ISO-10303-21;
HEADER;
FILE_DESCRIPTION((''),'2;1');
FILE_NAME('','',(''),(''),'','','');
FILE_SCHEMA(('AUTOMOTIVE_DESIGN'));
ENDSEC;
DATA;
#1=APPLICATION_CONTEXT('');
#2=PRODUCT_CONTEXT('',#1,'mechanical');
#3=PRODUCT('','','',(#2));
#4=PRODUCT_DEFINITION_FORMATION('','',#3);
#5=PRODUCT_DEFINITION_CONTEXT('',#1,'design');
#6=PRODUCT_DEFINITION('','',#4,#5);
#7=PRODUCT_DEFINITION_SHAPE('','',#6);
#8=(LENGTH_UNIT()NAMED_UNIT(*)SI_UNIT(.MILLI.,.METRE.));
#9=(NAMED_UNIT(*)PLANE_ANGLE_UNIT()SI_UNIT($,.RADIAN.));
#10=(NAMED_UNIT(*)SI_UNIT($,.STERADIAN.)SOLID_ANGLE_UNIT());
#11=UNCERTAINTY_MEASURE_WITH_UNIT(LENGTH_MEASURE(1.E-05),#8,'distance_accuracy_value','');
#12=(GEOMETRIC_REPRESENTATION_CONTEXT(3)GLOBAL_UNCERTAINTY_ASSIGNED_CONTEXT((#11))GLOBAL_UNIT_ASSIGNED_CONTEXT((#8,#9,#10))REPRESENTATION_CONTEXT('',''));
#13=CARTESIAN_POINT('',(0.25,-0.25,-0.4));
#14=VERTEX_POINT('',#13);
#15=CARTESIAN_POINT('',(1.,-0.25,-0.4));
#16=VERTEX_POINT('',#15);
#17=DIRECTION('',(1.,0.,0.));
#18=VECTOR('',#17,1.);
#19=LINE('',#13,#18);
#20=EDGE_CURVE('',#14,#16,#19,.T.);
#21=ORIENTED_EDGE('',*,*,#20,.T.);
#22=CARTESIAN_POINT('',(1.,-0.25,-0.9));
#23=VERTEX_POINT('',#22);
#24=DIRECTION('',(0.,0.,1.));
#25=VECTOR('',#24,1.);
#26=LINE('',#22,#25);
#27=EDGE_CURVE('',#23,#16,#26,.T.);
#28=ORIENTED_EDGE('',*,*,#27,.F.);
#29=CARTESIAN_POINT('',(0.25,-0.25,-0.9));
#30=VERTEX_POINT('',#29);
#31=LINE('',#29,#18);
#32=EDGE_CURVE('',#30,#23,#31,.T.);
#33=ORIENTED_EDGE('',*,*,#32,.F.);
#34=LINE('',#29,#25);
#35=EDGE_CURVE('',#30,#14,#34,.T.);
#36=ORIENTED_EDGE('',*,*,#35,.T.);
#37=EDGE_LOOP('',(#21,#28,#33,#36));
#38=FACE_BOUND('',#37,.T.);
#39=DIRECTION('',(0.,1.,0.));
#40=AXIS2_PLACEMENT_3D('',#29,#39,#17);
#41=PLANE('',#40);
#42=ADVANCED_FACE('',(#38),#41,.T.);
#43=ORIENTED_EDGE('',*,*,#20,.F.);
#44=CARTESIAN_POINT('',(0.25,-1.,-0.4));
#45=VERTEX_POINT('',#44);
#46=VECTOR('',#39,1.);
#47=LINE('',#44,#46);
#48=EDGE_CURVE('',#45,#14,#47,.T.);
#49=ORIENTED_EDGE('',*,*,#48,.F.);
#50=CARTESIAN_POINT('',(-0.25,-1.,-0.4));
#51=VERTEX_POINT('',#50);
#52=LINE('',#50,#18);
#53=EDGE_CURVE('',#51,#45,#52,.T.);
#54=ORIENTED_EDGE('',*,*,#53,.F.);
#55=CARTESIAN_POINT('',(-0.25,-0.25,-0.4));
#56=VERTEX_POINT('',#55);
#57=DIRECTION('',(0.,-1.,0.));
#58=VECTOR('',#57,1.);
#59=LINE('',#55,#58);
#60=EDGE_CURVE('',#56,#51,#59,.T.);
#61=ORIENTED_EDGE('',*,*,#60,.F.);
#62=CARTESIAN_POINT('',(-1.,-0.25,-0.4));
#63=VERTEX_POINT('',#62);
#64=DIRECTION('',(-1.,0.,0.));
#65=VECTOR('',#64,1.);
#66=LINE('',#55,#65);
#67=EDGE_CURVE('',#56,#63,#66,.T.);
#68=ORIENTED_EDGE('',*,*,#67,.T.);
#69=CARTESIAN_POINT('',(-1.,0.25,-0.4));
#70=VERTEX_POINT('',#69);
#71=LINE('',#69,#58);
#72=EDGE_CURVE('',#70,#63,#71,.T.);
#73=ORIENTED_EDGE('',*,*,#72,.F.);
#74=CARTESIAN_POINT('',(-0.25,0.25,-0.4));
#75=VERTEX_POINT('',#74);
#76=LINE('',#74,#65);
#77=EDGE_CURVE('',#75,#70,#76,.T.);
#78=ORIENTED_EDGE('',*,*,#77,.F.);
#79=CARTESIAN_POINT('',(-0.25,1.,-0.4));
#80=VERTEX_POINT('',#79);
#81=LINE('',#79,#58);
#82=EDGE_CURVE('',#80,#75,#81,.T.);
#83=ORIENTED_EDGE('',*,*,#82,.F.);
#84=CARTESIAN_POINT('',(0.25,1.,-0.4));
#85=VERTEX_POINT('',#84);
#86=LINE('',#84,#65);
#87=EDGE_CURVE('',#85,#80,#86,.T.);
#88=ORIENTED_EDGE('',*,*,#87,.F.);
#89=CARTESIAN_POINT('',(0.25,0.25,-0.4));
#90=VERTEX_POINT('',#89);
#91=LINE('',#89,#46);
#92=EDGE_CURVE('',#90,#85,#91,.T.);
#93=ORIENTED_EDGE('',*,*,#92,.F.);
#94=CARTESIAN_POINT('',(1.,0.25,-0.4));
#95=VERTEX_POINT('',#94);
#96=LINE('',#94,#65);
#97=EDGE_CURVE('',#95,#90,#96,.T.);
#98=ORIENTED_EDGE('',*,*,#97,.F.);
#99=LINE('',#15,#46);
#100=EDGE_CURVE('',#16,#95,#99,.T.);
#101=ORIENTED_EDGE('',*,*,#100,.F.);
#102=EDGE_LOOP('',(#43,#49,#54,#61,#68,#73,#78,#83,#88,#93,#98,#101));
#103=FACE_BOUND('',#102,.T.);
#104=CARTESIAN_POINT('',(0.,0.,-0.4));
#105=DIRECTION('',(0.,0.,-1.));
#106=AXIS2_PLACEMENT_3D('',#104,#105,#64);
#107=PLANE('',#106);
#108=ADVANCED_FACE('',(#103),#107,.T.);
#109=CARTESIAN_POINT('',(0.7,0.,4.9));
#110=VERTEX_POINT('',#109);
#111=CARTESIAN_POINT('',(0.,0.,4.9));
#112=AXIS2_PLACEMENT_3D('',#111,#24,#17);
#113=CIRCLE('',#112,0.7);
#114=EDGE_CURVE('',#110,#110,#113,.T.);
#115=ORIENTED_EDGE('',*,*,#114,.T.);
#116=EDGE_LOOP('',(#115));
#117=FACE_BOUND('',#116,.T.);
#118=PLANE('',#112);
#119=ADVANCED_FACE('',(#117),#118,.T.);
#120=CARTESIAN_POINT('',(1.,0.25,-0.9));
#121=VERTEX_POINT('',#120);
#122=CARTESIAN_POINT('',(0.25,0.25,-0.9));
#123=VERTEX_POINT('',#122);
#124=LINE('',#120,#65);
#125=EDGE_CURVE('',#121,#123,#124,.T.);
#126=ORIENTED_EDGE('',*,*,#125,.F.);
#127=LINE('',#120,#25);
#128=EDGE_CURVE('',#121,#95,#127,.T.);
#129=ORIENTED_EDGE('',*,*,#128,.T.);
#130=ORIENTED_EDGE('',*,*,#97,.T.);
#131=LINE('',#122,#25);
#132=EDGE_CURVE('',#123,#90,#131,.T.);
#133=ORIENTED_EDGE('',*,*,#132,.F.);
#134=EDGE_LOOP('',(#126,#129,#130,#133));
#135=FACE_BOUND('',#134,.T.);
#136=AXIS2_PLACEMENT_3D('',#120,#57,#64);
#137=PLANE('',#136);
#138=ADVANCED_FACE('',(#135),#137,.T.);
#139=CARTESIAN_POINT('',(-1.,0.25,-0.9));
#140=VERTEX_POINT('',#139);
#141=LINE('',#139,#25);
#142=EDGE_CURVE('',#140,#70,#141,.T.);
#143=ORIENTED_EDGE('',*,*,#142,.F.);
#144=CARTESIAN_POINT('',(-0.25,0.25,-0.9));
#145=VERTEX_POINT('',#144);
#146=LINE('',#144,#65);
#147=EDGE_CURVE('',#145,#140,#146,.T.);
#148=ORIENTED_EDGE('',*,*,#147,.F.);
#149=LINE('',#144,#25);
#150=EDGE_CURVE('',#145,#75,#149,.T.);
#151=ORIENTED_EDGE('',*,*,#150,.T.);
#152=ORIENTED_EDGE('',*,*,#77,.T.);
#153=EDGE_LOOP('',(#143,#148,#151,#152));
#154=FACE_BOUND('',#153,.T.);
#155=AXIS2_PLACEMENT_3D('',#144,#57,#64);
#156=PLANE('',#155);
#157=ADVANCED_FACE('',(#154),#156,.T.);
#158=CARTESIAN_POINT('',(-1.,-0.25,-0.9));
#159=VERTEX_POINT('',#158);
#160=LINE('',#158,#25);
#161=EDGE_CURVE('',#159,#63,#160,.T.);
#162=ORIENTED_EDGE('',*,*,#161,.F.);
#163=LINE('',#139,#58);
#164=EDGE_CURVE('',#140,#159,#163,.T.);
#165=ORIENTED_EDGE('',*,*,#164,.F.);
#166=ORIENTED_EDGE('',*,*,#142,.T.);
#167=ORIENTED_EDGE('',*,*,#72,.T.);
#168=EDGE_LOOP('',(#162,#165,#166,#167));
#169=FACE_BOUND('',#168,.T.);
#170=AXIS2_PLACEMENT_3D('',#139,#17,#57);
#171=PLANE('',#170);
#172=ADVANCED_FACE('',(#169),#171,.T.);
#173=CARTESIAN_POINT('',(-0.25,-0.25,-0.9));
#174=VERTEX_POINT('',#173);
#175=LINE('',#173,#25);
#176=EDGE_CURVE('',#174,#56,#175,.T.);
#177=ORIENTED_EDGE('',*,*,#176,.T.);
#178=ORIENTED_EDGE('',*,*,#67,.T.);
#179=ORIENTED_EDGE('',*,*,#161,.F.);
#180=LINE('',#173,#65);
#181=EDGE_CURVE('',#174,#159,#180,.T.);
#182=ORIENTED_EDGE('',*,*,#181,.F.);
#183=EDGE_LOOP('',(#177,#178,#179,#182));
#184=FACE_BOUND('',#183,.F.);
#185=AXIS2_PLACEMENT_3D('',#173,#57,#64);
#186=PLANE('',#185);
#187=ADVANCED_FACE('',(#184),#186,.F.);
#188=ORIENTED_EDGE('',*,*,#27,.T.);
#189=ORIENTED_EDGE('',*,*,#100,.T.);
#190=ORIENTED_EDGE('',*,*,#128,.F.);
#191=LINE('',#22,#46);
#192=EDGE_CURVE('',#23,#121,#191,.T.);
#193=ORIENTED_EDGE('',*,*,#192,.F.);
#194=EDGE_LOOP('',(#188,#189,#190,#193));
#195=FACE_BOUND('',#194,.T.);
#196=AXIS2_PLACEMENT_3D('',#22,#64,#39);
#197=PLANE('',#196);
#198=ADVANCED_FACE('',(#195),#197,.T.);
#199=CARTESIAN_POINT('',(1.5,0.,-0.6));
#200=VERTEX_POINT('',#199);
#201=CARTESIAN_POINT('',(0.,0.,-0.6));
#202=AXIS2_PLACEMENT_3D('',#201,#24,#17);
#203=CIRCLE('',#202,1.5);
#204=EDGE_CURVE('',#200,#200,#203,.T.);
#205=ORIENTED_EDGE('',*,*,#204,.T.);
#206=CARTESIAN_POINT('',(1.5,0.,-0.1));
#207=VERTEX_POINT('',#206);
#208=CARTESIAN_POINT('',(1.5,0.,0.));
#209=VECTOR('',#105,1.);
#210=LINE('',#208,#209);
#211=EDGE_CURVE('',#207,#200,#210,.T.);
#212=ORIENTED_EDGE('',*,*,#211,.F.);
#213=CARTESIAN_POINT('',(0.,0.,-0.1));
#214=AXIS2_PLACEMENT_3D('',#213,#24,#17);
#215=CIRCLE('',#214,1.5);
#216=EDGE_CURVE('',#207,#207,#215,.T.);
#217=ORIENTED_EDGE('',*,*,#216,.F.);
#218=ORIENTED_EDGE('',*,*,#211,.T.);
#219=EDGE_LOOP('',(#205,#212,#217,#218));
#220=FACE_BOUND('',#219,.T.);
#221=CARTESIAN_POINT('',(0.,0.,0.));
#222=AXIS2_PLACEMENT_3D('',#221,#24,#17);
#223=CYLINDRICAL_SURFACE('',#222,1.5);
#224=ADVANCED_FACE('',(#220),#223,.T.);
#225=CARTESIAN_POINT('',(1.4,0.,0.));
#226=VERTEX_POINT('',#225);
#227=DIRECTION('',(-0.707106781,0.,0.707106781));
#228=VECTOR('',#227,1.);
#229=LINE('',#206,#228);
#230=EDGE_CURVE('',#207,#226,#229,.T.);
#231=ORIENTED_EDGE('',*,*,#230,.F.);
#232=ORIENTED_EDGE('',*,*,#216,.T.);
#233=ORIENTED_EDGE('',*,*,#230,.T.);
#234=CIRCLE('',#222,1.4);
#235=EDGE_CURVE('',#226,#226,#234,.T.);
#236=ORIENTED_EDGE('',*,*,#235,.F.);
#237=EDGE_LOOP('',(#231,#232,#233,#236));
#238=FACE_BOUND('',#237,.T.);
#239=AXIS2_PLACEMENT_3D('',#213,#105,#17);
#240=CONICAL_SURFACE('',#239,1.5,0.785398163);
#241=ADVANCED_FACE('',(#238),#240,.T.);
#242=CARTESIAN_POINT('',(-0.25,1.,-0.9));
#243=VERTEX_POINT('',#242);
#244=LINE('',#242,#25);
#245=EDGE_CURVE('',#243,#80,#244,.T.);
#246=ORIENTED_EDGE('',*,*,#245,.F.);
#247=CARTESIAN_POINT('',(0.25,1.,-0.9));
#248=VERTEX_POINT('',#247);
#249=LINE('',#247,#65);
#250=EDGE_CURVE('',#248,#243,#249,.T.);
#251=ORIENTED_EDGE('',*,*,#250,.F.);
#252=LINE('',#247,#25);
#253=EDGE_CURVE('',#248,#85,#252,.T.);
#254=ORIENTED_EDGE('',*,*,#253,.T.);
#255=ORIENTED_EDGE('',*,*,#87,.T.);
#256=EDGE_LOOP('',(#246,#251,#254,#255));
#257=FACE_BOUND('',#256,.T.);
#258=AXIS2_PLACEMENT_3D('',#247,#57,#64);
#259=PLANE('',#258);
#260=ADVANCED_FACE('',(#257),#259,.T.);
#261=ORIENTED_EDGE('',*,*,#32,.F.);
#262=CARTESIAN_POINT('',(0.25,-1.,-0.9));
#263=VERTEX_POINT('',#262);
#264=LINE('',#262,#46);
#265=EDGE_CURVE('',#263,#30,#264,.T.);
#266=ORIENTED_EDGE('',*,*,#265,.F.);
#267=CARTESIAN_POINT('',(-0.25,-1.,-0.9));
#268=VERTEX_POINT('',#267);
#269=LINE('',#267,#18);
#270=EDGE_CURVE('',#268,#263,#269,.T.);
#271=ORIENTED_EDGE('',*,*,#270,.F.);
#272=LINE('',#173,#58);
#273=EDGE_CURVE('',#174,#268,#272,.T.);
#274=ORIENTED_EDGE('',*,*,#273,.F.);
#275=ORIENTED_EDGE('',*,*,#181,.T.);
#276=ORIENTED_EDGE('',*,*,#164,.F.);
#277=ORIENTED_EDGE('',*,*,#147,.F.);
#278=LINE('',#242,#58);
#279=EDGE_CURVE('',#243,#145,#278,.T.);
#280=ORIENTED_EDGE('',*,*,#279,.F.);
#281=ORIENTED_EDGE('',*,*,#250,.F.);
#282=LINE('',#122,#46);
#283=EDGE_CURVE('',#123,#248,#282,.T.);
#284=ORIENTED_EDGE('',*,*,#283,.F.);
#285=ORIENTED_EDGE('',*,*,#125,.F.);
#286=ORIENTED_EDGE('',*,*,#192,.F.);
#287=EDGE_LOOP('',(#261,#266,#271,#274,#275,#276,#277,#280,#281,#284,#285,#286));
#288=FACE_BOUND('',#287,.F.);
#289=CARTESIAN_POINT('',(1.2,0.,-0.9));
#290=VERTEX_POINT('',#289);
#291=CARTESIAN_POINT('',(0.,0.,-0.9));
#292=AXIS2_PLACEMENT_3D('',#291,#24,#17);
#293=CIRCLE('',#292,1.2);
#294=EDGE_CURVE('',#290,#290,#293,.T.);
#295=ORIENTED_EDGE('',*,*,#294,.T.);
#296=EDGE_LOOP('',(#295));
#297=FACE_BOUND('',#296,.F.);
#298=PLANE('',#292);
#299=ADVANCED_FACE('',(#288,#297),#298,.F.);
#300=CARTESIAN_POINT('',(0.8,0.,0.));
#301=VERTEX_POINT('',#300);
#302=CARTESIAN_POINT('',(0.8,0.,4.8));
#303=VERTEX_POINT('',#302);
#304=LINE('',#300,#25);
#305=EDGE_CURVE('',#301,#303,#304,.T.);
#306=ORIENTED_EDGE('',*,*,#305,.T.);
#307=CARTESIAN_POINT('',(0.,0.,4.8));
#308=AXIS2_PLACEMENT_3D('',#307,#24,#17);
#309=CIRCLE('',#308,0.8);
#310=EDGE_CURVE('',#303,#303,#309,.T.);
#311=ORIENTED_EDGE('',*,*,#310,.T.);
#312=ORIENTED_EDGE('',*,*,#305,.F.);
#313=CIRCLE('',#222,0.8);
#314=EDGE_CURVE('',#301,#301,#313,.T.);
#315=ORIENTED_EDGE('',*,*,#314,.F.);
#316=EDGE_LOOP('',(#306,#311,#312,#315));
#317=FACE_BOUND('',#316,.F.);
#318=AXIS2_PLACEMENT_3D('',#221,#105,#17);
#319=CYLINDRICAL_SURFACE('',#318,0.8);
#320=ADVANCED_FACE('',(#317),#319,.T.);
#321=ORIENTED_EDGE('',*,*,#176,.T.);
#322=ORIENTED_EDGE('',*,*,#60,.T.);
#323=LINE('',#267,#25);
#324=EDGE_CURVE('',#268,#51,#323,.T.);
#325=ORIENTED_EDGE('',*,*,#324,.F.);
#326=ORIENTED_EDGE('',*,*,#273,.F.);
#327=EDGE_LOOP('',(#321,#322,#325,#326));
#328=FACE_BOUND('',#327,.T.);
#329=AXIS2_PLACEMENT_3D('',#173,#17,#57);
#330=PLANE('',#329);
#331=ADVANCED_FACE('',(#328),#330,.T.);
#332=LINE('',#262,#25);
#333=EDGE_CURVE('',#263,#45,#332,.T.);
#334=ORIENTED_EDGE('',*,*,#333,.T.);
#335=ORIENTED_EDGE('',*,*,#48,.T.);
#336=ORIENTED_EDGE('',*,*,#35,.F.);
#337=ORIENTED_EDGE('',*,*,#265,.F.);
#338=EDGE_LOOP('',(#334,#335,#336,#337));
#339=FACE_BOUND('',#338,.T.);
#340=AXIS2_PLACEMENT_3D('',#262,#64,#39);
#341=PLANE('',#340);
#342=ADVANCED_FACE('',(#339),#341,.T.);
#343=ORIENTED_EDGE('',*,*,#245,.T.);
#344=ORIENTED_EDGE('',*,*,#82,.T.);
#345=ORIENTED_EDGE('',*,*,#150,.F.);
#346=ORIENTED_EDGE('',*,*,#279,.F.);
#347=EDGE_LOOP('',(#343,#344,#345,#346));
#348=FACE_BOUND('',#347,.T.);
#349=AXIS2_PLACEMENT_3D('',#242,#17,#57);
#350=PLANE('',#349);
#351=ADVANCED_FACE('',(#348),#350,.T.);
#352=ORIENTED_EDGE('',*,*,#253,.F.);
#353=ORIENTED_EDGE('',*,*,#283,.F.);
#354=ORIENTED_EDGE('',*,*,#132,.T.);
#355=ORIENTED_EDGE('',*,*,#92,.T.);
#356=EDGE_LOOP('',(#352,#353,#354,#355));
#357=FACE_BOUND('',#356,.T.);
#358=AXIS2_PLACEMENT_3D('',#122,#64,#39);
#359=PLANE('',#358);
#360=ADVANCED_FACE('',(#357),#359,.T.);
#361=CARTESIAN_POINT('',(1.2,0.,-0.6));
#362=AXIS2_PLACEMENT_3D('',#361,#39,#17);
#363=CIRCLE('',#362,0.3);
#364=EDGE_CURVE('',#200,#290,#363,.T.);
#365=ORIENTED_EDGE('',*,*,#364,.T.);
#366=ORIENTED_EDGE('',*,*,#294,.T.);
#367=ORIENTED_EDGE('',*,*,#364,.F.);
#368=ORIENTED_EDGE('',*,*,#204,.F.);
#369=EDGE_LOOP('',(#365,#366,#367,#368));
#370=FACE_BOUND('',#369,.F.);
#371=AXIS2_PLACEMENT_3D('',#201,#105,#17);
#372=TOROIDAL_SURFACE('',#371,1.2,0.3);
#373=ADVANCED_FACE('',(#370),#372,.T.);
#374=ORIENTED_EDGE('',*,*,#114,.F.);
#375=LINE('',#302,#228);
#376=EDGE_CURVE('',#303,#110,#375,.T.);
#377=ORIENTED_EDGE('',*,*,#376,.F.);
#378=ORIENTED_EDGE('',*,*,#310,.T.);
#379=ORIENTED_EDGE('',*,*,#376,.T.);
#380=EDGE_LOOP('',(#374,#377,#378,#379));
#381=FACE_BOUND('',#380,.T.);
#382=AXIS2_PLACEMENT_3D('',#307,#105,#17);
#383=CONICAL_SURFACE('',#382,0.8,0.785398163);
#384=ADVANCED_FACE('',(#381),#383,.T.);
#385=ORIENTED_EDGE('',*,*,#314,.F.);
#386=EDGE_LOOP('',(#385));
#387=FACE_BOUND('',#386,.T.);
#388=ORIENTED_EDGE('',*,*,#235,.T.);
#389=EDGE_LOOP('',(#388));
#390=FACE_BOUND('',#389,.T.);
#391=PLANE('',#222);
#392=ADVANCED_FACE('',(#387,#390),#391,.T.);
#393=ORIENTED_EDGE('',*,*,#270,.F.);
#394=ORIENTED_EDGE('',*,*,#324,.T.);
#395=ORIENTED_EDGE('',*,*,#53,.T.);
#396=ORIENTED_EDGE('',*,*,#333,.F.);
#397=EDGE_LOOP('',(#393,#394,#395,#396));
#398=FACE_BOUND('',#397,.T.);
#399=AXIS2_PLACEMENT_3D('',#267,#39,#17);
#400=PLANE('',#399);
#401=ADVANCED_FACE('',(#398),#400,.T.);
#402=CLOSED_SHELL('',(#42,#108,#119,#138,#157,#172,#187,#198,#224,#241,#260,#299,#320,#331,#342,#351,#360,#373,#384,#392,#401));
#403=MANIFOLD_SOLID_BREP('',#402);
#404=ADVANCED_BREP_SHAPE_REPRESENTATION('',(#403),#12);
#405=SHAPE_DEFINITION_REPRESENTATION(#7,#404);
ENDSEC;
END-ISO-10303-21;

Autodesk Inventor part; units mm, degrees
ref_plane "YZ Plane" through (0, 0, 0) normal (1, 0, 0) x (0, 1, 0)
ref_plane "XZ Plane" through (0, 0, 0) normal (0, 1, 0) x (-1, 0, 0)
ref_plane "XY Plane" through (0, 0, 0) normal (0, 0, 1) x (1, 0, 0)
sketch "Sketch1" plane through (0, 0, 0) normal (0, 0, 1) x (1, 0, 0)
  circle A0 centre (0, 0) radius 1.5
  dimension "d0" = 3
extrude "Extrusion1" add sketch "Sketch1" against normal blind 0.9
sketch "Sketch2" plane through (0, 0, 0) normal (0, 0, 1) x (1, 0, 0)
  circle A0 centre (0, 0) radius 1.5 projected
  circle A1 centre (0, 0) radius 0.8
  dimension "d3" = 1.6
extrude "Extrusion2" add sketch "Sketch2" along normal blind 4.9 contours A1
fillet "Fillet1" radius 0.3 1 edges at (-1.5, 0, -0.9)
sketch "Sketch3" plane through (0, 0, -0.9) normal (0, 0, -1) x (-1, 0, 0)
  line L0 (-0.25, 0.25) -> (-0.25, 1)
  line L1 (-0.25, 1) -> (0.25, 1)
  line L2 (0.25, 1) -> (0.25, 0.25)
  line L3 (0.25, 0.25) -> (1, 0.25)
  line L4 (1, 0.25) -> (1, -0.25)
  line L5 (0.25, -0.25) -> (0.25, -1)
  line L6 (0.25, -1) -> (-0.25, -1)
  line L7 (-0.25, -1) -> (-0.25, -0.25)
  line L8 (-0.25, -0.25) -> (-1, -0.25)
  line L9 (-1, -0.25) -> (-1, 0.25)
  line L10 (-1, 0.25) -> (-0.25, 0.25)
  line L11 (0.25, -0.25) -> (1, -0.25)
  line L12 (2.1, 0) -> (-2.1, 0) construction
  line L13 (0, -2.1) -> (0, 2.1) construction
  point P0 (0, 0)
  dimension "d7" = 2
  dimension "d8" = 2
  dimension "d9" = 0.5
extrude "Extrusion3" cut sketch "Sketch3" against normal blind 0.5
chamfer "Chamfer1" distance 0.1 angle 45 2 edges at (-1.5, 0, 0) (-0.8, 0, 4.9)
properties part number "pan_head_screw_M1.6x5" material "Nickel-Copper Alloy 400"
